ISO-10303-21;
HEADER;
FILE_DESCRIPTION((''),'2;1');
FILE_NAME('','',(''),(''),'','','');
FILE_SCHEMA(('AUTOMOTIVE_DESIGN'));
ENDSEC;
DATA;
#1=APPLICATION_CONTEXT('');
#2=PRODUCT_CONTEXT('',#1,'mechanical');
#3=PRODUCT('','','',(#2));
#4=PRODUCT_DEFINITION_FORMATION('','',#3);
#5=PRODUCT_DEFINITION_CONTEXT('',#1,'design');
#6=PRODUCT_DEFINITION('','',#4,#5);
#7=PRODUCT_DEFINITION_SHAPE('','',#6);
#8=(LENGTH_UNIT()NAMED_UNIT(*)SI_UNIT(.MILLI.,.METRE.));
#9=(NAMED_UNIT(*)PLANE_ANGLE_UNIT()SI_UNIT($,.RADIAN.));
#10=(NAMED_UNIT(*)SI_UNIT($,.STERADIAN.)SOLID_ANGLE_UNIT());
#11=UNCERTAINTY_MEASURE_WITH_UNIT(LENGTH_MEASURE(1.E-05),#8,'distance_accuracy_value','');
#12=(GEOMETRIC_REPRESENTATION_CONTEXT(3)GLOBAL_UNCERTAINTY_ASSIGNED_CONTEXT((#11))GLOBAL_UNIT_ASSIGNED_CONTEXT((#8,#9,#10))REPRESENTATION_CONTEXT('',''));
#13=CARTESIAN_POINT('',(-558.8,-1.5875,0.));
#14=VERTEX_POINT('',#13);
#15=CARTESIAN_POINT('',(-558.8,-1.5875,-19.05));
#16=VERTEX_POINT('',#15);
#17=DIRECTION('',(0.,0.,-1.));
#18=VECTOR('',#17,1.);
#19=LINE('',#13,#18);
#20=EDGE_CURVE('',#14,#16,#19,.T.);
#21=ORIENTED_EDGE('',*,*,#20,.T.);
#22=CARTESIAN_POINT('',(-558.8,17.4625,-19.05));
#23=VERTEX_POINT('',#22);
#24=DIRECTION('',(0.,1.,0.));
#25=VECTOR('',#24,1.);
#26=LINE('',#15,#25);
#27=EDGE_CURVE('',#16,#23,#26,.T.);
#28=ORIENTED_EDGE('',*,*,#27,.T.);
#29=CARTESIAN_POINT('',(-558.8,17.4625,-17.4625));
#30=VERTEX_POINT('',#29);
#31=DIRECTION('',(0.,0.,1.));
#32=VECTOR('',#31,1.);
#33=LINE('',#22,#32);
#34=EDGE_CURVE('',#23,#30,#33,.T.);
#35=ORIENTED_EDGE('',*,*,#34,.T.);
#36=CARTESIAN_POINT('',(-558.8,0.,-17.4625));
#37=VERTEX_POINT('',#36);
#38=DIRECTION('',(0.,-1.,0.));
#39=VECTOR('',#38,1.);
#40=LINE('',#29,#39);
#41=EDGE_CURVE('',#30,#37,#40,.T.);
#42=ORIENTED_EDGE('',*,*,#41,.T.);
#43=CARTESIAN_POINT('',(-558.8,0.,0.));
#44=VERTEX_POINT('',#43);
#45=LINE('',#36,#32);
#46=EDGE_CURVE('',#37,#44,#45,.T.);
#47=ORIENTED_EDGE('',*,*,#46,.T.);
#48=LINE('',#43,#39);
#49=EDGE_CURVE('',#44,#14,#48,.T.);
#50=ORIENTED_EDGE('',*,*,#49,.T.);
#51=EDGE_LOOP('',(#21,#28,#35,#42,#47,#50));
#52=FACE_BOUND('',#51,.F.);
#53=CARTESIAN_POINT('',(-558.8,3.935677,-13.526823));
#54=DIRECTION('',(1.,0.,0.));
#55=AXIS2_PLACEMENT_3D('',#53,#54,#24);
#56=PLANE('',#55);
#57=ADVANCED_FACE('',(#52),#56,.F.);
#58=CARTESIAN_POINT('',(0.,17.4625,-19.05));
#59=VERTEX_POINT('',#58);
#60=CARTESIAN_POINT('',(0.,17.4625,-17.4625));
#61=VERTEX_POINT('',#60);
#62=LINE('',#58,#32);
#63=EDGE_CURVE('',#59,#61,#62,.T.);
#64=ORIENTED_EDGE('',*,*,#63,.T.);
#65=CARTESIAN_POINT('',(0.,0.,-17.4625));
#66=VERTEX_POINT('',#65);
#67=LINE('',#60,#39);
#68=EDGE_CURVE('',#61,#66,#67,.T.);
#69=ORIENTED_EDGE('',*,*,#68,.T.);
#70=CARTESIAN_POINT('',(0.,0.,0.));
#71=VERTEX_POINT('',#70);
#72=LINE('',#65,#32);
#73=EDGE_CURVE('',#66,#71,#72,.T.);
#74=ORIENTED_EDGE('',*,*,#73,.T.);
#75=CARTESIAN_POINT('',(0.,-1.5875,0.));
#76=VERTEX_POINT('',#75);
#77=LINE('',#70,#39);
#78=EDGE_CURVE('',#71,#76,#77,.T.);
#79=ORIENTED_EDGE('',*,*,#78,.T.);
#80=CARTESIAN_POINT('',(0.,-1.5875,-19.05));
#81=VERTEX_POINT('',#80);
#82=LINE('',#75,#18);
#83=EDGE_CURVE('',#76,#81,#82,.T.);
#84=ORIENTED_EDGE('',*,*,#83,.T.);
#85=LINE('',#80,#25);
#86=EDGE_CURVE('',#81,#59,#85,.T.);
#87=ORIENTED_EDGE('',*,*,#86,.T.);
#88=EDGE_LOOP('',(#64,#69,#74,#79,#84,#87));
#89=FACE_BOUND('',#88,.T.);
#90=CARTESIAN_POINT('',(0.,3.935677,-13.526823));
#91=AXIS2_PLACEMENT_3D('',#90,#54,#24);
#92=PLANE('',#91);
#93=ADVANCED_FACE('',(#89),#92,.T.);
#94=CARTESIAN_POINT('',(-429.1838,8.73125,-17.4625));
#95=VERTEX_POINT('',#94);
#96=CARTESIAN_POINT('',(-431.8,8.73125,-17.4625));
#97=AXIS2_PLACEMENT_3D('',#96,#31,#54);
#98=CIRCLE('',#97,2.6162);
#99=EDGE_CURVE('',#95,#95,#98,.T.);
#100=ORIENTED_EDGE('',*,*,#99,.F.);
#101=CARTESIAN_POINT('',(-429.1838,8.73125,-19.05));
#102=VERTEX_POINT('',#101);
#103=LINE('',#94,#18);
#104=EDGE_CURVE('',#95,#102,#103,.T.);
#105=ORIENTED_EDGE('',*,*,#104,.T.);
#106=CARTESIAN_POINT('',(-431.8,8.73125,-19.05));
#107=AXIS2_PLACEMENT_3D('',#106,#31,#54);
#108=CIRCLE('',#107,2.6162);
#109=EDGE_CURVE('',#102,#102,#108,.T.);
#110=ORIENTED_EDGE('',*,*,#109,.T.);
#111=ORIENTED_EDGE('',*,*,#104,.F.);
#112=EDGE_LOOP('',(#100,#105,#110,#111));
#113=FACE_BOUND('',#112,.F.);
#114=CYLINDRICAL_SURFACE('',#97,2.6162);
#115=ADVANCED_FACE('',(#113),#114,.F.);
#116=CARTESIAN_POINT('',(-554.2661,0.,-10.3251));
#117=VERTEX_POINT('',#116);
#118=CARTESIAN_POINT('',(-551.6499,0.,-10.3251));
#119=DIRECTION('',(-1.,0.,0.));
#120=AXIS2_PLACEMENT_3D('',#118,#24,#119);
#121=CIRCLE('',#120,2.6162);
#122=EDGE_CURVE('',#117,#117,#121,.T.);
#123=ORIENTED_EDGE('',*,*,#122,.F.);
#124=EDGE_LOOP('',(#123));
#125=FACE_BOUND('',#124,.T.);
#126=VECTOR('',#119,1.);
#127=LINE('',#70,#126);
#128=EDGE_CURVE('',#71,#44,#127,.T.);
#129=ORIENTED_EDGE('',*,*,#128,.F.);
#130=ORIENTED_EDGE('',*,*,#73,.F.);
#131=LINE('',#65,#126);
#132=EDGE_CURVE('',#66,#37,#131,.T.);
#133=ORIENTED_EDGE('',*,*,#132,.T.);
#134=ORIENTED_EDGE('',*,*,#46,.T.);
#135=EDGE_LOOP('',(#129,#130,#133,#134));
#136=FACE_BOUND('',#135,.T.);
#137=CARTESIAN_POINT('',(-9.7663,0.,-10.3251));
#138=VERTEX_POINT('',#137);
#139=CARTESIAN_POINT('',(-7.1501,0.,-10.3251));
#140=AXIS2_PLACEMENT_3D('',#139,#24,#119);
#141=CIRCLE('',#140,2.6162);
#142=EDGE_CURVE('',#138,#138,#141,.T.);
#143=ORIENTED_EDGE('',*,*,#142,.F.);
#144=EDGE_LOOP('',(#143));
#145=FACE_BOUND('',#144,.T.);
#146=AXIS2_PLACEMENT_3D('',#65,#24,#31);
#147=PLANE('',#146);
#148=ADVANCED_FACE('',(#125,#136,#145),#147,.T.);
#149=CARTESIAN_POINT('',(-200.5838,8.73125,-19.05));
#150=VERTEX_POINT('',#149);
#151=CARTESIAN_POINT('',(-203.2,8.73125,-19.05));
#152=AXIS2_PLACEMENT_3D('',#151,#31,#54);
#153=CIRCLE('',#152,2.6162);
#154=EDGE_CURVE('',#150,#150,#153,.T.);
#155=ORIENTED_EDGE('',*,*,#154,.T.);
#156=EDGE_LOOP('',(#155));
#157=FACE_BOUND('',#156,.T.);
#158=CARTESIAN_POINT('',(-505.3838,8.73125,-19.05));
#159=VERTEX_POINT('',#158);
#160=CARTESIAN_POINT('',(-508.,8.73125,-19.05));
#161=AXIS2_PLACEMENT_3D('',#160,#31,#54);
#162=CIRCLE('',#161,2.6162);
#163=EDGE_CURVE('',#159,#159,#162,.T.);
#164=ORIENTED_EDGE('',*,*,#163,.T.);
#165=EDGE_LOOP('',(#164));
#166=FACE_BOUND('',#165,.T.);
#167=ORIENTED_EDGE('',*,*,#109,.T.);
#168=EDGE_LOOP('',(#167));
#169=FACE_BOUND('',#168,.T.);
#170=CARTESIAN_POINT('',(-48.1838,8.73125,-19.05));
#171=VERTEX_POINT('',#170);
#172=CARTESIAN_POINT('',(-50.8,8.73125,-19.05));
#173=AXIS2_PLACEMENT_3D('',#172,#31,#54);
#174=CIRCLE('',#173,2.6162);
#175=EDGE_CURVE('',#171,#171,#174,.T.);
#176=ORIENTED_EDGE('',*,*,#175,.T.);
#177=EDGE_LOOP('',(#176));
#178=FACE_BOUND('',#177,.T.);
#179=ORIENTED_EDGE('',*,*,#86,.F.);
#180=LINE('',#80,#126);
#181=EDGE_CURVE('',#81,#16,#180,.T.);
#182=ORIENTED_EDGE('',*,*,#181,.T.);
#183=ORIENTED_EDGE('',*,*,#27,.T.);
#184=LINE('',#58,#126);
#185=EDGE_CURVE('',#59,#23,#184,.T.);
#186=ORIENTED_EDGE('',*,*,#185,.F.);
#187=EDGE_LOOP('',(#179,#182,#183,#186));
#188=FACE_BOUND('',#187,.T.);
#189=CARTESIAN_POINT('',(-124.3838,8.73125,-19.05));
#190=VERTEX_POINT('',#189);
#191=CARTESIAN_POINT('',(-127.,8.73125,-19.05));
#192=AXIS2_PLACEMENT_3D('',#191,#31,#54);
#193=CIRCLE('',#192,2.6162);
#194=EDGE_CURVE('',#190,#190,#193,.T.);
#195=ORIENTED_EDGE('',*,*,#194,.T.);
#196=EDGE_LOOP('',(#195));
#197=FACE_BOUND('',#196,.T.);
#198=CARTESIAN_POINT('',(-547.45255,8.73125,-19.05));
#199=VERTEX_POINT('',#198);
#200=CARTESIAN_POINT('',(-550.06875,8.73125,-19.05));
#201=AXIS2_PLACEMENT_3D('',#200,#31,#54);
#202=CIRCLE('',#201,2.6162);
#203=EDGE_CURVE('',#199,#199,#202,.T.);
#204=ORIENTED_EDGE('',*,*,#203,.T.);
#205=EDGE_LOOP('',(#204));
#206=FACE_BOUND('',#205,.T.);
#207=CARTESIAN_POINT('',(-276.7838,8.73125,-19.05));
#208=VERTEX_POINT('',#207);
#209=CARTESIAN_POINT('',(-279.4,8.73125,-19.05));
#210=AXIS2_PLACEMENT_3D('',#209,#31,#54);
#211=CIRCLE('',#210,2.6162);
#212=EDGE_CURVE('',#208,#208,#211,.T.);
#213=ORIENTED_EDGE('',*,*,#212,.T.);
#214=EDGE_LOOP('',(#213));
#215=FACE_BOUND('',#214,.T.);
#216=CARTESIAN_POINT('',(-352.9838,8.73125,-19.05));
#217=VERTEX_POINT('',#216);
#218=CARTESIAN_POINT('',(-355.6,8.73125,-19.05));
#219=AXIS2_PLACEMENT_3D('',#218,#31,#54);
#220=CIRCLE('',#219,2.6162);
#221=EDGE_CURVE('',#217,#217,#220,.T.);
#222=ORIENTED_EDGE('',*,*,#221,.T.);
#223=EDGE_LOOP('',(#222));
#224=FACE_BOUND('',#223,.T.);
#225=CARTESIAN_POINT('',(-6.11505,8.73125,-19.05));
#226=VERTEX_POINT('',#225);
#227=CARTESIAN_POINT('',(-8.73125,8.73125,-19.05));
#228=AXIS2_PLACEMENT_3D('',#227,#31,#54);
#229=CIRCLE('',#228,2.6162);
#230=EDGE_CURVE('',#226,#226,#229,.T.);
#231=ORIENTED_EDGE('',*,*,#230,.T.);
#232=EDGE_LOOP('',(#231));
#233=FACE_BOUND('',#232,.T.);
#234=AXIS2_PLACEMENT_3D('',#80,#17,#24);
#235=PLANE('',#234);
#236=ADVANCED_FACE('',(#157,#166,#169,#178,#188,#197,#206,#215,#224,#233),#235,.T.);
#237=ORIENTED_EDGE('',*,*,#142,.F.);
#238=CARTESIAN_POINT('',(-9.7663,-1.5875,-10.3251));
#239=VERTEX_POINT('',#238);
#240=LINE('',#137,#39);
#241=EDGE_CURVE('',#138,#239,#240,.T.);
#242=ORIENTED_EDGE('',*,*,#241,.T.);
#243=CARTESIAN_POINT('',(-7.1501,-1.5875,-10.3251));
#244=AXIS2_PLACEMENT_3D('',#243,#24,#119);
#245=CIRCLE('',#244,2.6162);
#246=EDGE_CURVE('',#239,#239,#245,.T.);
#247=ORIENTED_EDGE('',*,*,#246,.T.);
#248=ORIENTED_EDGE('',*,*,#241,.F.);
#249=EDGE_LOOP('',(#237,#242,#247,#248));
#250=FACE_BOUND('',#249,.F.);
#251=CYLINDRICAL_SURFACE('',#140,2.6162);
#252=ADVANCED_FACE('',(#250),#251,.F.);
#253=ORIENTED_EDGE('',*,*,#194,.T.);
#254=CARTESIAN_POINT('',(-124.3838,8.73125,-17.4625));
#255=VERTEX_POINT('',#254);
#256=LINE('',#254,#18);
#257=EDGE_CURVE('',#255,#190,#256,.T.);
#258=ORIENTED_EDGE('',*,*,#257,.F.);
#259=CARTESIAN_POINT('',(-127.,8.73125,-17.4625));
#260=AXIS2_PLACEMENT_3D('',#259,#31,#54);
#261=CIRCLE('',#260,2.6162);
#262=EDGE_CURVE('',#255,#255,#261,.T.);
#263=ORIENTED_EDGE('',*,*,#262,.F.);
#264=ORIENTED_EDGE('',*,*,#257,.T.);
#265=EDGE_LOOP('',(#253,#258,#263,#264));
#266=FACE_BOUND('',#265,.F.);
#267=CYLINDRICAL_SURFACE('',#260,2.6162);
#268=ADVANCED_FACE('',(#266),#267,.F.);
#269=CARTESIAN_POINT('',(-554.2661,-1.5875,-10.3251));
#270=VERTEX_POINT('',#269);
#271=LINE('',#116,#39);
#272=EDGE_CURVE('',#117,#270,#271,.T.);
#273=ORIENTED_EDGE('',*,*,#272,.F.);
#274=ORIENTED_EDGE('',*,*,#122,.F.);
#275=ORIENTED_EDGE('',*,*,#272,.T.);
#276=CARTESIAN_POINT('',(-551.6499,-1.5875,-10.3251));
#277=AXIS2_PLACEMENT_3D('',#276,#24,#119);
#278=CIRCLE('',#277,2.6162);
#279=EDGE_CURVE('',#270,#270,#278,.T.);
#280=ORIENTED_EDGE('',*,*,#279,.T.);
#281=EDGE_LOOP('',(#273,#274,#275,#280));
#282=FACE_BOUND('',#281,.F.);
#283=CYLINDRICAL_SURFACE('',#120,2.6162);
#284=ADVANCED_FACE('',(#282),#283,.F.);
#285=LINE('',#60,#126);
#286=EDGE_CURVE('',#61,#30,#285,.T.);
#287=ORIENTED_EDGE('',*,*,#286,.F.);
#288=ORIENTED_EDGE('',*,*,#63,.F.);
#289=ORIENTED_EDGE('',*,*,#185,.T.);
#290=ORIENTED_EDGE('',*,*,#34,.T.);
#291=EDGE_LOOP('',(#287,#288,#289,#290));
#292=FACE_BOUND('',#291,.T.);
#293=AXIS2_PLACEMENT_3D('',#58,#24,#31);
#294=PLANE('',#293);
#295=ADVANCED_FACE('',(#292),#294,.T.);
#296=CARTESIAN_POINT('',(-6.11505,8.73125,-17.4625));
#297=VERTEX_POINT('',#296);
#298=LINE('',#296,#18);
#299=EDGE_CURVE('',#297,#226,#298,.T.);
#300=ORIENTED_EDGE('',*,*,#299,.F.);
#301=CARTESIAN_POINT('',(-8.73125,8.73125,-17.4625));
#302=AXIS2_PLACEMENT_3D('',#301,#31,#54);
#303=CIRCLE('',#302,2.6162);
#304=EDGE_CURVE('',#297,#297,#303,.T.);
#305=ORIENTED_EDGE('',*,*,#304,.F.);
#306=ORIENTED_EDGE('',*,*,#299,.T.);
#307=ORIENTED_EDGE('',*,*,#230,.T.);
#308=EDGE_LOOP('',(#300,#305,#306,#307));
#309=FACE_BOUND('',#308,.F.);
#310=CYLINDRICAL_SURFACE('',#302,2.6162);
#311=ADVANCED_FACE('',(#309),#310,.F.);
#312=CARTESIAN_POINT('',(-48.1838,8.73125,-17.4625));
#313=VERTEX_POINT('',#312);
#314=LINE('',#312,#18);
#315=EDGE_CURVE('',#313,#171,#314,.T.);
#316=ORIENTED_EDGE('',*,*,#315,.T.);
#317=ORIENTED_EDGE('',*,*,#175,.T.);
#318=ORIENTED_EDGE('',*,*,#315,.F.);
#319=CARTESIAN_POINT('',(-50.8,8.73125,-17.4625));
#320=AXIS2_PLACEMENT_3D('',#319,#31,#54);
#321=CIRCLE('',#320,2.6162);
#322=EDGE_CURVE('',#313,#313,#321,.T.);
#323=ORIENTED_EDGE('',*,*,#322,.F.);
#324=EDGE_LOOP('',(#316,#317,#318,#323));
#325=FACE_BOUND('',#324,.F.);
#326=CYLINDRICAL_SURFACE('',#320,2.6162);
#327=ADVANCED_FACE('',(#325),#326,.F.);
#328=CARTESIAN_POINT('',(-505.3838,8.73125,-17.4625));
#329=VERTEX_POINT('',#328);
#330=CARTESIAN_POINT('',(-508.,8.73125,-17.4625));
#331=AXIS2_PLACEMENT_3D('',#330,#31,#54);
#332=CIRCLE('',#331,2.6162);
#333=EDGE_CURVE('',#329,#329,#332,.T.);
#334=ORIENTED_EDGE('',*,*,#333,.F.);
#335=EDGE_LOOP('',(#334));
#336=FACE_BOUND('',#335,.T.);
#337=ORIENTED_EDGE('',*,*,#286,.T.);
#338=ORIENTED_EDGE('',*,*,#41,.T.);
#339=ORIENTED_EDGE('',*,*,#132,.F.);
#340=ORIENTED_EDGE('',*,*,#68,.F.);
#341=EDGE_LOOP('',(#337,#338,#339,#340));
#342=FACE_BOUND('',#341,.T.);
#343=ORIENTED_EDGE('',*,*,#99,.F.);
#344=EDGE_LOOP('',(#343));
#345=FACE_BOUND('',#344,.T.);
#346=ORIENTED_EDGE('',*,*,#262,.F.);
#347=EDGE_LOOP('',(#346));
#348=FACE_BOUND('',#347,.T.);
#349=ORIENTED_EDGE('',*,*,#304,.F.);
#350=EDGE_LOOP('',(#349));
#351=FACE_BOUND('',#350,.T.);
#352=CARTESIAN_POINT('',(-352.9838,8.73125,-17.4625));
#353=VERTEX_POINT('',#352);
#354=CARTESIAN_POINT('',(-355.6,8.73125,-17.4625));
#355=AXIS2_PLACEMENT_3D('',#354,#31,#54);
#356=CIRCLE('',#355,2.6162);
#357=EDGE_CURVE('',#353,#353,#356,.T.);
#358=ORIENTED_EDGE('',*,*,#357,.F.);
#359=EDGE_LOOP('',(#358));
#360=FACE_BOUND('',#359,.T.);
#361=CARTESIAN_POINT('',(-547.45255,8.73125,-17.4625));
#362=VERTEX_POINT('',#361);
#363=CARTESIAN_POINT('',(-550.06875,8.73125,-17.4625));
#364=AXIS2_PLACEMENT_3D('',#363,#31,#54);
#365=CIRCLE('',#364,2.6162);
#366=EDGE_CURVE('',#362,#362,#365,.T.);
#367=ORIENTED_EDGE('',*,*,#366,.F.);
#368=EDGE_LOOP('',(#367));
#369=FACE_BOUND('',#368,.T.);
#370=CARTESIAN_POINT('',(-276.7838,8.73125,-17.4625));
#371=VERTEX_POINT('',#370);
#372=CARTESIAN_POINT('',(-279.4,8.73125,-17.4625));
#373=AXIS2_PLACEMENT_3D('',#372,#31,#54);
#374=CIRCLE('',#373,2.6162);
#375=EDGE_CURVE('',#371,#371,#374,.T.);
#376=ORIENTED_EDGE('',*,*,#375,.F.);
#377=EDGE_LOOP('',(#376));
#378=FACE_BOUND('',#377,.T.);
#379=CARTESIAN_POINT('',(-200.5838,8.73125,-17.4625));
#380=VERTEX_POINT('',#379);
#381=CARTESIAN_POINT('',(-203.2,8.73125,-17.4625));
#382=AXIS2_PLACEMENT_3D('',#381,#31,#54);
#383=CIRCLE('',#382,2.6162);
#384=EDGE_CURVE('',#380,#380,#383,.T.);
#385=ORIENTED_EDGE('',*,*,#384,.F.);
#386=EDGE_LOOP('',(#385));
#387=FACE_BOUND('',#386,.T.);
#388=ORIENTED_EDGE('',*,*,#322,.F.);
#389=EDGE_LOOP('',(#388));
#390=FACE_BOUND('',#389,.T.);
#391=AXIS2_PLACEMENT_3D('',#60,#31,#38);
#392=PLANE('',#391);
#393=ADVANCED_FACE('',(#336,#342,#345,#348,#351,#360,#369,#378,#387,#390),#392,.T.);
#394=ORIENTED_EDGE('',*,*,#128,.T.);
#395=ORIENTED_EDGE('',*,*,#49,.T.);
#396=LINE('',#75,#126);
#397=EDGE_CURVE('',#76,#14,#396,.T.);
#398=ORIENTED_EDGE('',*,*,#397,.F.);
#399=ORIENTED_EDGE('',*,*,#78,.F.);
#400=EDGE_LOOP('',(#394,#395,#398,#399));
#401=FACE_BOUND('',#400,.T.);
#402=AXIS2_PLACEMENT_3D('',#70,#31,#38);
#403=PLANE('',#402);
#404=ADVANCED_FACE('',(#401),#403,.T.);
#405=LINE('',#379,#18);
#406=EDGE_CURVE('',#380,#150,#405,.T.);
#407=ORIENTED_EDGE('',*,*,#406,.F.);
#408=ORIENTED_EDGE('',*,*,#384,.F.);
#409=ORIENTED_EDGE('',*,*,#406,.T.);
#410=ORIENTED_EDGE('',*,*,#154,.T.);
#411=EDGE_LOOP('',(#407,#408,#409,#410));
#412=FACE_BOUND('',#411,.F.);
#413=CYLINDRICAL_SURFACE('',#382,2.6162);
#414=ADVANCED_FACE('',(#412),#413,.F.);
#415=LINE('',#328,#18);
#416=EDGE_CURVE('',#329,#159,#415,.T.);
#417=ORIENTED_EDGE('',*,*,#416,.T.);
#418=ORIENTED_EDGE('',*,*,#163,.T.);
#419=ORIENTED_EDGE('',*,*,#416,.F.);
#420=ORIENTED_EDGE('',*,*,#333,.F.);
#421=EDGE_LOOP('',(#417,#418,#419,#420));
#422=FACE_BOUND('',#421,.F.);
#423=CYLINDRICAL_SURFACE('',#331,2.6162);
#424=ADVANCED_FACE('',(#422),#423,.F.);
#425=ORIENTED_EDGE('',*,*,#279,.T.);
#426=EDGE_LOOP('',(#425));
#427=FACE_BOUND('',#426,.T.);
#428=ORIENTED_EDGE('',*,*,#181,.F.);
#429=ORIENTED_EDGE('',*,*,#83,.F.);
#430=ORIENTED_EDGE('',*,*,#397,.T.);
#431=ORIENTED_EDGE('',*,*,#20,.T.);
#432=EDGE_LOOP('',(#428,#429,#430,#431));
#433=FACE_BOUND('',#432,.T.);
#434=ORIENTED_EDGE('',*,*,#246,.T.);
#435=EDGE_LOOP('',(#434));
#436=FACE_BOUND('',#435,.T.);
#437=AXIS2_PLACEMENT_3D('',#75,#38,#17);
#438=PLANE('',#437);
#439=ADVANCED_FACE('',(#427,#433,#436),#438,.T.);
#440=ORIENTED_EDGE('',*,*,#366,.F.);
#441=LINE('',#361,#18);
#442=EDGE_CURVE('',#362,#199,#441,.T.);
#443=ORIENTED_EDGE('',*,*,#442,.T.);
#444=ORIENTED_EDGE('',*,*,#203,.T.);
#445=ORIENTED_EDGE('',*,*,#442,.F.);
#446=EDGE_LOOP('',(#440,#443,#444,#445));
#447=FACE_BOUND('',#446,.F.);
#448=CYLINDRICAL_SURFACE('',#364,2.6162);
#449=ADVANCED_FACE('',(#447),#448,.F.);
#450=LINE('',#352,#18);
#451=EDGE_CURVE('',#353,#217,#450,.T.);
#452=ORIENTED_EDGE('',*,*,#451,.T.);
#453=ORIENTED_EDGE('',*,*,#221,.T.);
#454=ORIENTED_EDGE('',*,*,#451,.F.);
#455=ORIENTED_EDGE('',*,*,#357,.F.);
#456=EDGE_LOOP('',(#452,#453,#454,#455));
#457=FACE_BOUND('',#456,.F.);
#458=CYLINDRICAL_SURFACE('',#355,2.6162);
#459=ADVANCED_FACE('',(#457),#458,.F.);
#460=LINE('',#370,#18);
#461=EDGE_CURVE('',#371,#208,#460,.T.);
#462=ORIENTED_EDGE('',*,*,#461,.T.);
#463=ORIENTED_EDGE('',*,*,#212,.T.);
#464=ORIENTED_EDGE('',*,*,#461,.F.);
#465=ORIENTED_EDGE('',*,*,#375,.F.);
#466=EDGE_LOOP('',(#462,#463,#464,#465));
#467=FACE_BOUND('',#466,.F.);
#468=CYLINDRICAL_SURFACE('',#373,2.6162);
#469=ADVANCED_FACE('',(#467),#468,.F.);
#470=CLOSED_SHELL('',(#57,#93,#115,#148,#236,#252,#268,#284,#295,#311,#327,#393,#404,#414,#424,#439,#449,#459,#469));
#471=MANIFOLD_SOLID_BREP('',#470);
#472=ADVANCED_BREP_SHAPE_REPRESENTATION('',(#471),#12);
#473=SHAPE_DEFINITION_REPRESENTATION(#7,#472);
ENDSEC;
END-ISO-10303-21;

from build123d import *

# Parameters (mm, degrees)
F1_DEPTH = 558.8
F2_R     = 2.6162
F4_DEPTH = 25.4
F3_R     = 2.6162
F5_DEPTH = 25.4


with BuildPart() as f1:
    # F0 (on Right) → F1 (new body)
    with BuildSketch(Plane.YZ):
        Polygon((0, -17.4625), (0, 0), (-1.5875, 0), (-1.5875, -19.05), (17.4625, -19.05), (17.4625, -17.4625), align=None)
    extrude(amount=-F1_DEPTH)

    # F2 (on face) → F4 (cut)
    with BuildSketch(Plane(origin=(0, 0, 0), x_dir=(-1, 0, 0), z_dir=(0, 1, 0))):
        with Locations((7.1501, -10.3251)):
            Circle(F2_R)
        with Locations((551.6499, -10.3251)):
            Circle(F2_R)
    extrude(amount=-F4_DEPTH, mode=Mode.SUBTRACT)

    # F3 (on face) → F5 (cut)
    with BuildSketch(Plane.XY.offset(-17.4625)):
        with Locations((-8.73125, 8.73125)):
            Circle(F3_R)
        with Locations((-550.06875, 8.73125)):
            Circle(F3_R)
        with Locations((-50.8, 8.73125)):
            Circle(F3_R)
        with Locations((-127, 8.73125)):
            Circle(F3_R)
        with Locations((-203.2, 8.73125)):
            Circle(F3_R)
        with Locations((-279.4, 8.73125)):
            Circle(F3_R)
        with Locations((-355.6, 8.73125)):
            Circle(F3_R)
        with Locations((-431.8, 8.73125)):
            Circle(F3_R)
        with Locations((-508, 8.73125)):
            Circle(F3_R)
    extrude(amount=-F5_DEPTH, mode=Mode.SUBTRACT)


solid = f1.part
